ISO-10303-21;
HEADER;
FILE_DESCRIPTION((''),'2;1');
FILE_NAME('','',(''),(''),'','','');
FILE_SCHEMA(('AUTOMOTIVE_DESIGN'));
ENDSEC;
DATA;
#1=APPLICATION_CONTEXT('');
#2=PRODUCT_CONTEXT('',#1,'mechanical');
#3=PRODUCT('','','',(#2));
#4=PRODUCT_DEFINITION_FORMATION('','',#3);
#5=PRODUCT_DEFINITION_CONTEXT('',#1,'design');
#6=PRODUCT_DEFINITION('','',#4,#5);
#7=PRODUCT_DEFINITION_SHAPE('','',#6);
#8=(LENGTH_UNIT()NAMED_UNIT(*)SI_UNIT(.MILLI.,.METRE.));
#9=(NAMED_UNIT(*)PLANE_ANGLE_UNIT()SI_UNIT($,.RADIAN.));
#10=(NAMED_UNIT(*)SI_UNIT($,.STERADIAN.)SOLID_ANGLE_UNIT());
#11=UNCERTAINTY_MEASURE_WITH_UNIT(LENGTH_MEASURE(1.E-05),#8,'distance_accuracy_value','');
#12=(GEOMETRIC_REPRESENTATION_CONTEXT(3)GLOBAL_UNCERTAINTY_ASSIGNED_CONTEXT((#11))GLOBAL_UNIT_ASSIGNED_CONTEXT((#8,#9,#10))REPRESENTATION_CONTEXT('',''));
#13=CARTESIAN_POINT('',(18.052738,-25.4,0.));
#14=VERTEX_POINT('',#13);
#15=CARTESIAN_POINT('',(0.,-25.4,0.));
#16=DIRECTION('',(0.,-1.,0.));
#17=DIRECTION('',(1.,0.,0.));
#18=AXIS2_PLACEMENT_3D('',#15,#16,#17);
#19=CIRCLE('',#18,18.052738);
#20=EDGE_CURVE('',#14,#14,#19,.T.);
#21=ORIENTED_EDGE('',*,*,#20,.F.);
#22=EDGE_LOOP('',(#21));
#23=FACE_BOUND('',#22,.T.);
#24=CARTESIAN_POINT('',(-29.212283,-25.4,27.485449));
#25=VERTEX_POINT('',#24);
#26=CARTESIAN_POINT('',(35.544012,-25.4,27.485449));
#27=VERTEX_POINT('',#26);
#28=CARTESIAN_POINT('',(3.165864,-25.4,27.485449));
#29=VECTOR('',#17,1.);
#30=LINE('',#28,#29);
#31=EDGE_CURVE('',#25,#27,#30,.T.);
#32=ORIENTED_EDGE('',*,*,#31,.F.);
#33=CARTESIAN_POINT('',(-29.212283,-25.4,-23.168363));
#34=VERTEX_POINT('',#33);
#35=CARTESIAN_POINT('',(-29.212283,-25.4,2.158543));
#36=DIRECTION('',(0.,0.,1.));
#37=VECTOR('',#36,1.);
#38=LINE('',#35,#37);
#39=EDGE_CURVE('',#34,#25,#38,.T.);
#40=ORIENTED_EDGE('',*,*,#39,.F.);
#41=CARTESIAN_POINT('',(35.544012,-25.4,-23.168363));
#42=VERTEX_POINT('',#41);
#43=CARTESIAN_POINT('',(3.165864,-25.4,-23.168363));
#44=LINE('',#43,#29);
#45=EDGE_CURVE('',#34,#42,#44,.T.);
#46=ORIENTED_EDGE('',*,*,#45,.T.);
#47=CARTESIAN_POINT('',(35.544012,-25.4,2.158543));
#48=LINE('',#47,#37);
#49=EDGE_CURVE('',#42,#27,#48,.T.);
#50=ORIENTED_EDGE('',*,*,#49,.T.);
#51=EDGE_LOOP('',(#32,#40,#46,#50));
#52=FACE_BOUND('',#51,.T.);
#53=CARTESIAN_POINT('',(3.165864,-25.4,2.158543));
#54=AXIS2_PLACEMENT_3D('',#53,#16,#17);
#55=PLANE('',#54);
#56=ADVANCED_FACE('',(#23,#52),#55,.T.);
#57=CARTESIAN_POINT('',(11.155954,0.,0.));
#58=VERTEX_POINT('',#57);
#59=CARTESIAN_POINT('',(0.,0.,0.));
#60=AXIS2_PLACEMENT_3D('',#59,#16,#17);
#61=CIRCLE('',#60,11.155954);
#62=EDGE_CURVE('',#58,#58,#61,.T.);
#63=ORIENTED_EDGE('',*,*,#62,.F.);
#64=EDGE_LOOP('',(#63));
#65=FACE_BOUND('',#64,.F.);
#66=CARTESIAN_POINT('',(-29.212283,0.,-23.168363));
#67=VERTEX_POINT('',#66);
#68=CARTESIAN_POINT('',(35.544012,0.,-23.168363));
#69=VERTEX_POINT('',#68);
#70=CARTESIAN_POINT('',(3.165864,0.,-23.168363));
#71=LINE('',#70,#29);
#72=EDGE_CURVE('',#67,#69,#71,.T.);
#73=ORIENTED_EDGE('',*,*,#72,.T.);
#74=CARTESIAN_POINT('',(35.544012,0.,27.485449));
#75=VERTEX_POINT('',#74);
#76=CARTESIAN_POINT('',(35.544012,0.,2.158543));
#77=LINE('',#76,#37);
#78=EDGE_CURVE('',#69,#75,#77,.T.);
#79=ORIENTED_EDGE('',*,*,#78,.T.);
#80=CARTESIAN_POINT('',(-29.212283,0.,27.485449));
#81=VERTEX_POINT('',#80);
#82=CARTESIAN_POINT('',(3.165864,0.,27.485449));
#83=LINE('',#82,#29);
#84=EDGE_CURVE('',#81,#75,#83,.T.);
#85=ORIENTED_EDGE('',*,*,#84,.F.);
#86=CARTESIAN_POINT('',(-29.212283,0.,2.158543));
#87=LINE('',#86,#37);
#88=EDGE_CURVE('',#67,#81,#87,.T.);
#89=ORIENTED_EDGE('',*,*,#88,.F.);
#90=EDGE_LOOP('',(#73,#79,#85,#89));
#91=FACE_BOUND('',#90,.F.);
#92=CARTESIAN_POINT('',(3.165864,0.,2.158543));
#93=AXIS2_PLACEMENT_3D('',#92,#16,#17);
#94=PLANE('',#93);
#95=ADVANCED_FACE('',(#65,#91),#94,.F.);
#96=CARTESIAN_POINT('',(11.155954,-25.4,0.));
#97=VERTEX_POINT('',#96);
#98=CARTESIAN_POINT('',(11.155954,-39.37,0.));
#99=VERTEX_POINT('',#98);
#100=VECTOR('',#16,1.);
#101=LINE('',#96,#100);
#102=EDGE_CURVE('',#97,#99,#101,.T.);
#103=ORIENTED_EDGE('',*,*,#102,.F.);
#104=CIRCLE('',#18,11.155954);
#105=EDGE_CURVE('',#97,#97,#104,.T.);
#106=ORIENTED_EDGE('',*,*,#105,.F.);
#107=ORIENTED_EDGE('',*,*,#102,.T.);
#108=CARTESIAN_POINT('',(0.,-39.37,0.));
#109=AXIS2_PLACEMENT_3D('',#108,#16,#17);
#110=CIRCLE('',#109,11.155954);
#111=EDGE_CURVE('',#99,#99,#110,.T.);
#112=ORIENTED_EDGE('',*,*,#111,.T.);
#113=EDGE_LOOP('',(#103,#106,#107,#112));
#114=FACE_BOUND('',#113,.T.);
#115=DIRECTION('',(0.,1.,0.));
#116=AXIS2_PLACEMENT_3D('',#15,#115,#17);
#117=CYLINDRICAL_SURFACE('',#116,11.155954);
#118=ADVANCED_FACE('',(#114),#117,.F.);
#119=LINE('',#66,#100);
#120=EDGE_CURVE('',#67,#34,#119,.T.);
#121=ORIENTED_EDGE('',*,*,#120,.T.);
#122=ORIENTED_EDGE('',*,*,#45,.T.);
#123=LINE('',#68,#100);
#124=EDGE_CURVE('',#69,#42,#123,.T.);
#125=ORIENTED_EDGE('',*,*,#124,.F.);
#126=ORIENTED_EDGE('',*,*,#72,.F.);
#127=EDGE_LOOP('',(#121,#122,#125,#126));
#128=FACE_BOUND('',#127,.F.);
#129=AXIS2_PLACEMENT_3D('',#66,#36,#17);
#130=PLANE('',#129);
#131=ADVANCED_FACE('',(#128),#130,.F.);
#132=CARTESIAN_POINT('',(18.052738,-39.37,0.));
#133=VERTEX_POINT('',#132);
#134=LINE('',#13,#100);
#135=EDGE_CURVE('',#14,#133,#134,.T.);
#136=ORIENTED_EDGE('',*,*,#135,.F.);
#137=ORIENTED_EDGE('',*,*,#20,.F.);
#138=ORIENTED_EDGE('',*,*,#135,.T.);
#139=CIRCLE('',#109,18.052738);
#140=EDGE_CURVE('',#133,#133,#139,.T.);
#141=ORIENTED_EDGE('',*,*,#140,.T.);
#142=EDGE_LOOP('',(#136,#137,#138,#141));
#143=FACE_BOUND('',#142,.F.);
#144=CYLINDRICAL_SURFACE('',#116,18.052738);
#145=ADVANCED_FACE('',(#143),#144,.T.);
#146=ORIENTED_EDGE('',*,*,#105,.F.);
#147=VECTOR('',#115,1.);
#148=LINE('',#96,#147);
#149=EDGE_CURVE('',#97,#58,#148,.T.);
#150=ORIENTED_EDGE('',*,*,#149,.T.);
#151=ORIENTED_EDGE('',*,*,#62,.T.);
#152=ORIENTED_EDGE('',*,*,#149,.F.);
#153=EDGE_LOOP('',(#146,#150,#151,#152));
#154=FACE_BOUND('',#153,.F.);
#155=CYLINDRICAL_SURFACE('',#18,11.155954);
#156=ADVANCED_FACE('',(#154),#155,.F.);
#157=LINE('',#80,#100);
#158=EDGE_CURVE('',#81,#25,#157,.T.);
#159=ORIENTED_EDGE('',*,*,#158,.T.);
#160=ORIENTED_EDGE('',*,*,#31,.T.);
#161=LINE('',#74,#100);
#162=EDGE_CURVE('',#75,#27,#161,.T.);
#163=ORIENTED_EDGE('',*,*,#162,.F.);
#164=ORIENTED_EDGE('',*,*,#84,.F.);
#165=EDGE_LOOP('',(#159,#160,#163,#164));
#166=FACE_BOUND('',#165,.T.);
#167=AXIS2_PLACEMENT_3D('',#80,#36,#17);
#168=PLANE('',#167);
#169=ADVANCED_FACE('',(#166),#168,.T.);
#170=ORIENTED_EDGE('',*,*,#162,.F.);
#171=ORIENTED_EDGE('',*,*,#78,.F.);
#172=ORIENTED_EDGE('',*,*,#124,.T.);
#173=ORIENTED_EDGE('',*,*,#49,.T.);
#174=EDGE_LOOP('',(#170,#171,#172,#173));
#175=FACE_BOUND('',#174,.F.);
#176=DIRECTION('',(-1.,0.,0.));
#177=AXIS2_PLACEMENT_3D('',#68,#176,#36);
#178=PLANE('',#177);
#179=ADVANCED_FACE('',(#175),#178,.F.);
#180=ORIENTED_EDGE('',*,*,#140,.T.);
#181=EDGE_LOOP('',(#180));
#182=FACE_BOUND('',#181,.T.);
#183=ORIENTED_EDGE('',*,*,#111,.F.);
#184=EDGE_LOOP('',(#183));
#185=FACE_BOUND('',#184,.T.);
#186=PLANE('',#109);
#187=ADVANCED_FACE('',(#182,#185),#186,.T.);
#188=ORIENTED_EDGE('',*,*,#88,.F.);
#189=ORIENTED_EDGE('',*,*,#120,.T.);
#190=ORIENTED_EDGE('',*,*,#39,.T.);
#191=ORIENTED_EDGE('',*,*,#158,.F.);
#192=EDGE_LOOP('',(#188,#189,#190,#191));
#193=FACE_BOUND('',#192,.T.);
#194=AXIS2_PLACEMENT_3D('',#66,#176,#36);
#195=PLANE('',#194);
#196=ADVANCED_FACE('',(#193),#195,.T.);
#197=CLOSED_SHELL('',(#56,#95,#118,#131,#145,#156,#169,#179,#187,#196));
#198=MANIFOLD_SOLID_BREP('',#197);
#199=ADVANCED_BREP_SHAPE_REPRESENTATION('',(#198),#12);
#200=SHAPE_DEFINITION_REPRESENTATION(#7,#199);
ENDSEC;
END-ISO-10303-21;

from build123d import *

# Parameters (mm, degrees)
F0_W     = 64.7562947124
F0_H     = 50.6538115442
F1_DEPTH = 25.4
F2_R     = 11.1559539437
F3_DEPTH = 50.292
F4_R     = 18.0527377002
F4_R_2   = 11.1559539437
F5_DEPTH = 13.97


with BuildPart() as f1:
    # F0 (on Front) → F1 (new body)
    with BuildSketch(Plane.XZ):
        with Locations((3.1658643857, 2.158543095)):
            Rectangle(F0_W, F0_H)
    extrude(amount=F1_DEPTH)

    # F2 (on face) → F3 (cut)
    with BuildSketch(Plane.XZ.offset(25.4)):
        Circle(F2_R)
    extrude(amount=-F3_DEPTH, mode=Mode.SUBTRACT)

    # F4 (on face) → F5 (join)
    with BuildSketch(Plane.XZ.offset(25.4)):
        Circle(F4_R)
        Circle(F4_R_2, mode=Mode.SUBTRACT)
    extrude(amount=F5_DEPTH)


solid = f1.part
